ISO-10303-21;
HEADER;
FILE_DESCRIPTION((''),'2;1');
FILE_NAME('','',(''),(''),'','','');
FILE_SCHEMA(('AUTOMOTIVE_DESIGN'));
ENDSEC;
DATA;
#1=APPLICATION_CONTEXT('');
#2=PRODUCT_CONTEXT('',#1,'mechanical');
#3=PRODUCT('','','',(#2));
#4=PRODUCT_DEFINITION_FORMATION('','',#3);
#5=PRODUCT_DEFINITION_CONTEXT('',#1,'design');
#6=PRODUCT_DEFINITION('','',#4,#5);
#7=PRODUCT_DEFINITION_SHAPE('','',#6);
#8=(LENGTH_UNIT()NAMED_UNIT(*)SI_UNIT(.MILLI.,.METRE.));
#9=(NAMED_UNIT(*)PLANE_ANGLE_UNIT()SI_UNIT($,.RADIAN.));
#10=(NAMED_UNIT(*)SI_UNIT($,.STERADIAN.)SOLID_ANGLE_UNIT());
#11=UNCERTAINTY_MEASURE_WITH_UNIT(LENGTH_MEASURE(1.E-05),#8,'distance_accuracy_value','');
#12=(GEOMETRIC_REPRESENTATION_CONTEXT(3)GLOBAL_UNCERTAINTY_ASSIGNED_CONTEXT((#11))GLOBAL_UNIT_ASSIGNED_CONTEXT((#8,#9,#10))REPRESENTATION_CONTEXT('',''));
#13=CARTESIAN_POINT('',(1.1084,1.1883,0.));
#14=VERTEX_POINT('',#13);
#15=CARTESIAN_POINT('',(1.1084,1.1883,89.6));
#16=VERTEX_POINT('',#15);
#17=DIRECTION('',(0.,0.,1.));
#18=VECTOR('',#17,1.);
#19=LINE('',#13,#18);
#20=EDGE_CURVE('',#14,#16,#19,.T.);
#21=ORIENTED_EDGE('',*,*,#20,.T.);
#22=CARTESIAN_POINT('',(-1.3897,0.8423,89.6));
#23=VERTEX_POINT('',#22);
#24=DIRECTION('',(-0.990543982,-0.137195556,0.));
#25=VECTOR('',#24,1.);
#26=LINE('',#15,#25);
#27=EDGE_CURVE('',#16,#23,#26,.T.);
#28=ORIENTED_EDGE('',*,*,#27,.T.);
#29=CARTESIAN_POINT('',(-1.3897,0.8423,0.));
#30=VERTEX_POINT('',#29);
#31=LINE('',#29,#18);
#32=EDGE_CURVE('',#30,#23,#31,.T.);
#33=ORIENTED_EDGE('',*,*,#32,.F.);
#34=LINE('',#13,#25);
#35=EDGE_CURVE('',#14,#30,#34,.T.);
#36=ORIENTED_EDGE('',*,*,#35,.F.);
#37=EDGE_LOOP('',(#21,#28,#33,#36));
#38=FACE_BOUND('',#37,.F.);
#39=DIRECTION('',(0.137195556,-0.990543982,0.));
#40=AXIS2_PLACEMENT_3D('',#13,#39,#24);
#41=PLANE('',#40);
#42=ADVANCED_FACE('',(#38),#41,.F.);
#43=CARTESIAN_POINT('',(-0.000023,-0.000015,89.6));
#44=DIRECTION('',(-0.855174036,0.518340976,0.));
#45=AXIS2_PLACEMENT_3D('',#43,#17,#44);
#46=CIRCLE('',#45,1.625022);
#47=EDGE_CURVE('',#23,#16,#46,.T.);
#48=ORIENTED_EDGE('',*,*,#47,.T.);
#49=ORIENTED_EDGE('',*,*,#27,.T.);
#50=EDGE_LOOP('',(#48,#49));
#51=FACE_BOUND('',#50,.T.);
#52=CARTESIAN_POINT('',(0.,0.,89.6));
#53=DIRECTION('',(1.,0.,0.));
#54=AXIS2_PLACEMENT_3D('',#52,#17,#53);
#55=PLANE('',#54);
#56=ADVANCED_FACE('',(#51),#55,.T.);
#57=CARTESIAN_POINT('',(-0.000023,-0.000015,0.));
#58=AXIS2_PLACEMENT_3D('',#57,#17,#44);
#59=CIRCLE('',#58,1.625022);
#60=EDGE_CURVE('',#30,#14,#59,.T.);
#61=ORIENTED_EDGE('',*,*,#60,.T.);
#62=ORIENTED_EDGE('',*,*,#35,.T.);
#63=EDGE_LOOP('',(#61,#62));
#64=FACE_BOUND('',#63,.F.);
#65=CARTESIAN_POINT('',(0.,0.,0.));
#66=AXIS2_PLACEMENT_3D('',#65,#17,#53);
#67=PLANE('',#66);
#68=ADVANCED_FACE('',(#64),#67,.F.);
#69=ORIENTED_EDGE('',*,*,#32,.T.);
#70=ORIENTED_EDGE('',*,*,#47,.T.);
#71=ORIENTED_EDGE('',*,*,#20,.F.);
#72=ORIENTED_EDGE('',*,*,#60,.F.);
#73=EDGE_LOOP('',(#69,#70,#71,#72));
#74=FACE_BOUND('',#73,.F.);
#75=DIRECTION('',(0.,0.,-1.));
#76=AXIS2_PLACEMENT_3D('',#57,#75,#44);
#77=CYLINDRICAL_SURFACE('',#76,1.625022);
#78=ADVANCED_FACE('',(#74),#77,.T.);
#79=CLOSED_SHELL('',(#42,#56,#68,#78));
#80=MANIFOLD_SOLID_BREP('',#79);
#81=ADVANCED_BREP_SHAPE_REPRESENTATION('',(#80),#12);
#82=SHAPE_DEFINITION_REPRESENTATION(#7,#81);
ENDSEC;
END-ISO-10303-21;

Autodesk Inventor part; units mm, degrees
ref_plane "YZ Plane" through (0, 0, 0) normal (1, 0, 0) x (0, 1, 0)
ref_plane "XZ Plane" through (0, 0, 0) normal (0, 1, 0) x (-1, 0, 0)
ref_plane "XY Plane" through (0, 0, 0) normal (0, 0, 1) x (1, 0, 0)
sketch "Sketch1" plane through (0, 0, 0) normal (0, 0, 1) x (1, 0, 0)
  arc A0 (-1.3897, 0.8423) -> (1.1084, 1.1883) centre (0, 0) ccw
  line L0 (1.1084, 1.1883) -> (-1.3897, 0.8423)
  point P0 (-0.1407, 1.0153)
  dimension "d0" = 3.25
  dimension "d1" = 1.025
extrude "Extrusion1" add sketch "Sketch1" along normal blind 89.6
properties part number "rod"
